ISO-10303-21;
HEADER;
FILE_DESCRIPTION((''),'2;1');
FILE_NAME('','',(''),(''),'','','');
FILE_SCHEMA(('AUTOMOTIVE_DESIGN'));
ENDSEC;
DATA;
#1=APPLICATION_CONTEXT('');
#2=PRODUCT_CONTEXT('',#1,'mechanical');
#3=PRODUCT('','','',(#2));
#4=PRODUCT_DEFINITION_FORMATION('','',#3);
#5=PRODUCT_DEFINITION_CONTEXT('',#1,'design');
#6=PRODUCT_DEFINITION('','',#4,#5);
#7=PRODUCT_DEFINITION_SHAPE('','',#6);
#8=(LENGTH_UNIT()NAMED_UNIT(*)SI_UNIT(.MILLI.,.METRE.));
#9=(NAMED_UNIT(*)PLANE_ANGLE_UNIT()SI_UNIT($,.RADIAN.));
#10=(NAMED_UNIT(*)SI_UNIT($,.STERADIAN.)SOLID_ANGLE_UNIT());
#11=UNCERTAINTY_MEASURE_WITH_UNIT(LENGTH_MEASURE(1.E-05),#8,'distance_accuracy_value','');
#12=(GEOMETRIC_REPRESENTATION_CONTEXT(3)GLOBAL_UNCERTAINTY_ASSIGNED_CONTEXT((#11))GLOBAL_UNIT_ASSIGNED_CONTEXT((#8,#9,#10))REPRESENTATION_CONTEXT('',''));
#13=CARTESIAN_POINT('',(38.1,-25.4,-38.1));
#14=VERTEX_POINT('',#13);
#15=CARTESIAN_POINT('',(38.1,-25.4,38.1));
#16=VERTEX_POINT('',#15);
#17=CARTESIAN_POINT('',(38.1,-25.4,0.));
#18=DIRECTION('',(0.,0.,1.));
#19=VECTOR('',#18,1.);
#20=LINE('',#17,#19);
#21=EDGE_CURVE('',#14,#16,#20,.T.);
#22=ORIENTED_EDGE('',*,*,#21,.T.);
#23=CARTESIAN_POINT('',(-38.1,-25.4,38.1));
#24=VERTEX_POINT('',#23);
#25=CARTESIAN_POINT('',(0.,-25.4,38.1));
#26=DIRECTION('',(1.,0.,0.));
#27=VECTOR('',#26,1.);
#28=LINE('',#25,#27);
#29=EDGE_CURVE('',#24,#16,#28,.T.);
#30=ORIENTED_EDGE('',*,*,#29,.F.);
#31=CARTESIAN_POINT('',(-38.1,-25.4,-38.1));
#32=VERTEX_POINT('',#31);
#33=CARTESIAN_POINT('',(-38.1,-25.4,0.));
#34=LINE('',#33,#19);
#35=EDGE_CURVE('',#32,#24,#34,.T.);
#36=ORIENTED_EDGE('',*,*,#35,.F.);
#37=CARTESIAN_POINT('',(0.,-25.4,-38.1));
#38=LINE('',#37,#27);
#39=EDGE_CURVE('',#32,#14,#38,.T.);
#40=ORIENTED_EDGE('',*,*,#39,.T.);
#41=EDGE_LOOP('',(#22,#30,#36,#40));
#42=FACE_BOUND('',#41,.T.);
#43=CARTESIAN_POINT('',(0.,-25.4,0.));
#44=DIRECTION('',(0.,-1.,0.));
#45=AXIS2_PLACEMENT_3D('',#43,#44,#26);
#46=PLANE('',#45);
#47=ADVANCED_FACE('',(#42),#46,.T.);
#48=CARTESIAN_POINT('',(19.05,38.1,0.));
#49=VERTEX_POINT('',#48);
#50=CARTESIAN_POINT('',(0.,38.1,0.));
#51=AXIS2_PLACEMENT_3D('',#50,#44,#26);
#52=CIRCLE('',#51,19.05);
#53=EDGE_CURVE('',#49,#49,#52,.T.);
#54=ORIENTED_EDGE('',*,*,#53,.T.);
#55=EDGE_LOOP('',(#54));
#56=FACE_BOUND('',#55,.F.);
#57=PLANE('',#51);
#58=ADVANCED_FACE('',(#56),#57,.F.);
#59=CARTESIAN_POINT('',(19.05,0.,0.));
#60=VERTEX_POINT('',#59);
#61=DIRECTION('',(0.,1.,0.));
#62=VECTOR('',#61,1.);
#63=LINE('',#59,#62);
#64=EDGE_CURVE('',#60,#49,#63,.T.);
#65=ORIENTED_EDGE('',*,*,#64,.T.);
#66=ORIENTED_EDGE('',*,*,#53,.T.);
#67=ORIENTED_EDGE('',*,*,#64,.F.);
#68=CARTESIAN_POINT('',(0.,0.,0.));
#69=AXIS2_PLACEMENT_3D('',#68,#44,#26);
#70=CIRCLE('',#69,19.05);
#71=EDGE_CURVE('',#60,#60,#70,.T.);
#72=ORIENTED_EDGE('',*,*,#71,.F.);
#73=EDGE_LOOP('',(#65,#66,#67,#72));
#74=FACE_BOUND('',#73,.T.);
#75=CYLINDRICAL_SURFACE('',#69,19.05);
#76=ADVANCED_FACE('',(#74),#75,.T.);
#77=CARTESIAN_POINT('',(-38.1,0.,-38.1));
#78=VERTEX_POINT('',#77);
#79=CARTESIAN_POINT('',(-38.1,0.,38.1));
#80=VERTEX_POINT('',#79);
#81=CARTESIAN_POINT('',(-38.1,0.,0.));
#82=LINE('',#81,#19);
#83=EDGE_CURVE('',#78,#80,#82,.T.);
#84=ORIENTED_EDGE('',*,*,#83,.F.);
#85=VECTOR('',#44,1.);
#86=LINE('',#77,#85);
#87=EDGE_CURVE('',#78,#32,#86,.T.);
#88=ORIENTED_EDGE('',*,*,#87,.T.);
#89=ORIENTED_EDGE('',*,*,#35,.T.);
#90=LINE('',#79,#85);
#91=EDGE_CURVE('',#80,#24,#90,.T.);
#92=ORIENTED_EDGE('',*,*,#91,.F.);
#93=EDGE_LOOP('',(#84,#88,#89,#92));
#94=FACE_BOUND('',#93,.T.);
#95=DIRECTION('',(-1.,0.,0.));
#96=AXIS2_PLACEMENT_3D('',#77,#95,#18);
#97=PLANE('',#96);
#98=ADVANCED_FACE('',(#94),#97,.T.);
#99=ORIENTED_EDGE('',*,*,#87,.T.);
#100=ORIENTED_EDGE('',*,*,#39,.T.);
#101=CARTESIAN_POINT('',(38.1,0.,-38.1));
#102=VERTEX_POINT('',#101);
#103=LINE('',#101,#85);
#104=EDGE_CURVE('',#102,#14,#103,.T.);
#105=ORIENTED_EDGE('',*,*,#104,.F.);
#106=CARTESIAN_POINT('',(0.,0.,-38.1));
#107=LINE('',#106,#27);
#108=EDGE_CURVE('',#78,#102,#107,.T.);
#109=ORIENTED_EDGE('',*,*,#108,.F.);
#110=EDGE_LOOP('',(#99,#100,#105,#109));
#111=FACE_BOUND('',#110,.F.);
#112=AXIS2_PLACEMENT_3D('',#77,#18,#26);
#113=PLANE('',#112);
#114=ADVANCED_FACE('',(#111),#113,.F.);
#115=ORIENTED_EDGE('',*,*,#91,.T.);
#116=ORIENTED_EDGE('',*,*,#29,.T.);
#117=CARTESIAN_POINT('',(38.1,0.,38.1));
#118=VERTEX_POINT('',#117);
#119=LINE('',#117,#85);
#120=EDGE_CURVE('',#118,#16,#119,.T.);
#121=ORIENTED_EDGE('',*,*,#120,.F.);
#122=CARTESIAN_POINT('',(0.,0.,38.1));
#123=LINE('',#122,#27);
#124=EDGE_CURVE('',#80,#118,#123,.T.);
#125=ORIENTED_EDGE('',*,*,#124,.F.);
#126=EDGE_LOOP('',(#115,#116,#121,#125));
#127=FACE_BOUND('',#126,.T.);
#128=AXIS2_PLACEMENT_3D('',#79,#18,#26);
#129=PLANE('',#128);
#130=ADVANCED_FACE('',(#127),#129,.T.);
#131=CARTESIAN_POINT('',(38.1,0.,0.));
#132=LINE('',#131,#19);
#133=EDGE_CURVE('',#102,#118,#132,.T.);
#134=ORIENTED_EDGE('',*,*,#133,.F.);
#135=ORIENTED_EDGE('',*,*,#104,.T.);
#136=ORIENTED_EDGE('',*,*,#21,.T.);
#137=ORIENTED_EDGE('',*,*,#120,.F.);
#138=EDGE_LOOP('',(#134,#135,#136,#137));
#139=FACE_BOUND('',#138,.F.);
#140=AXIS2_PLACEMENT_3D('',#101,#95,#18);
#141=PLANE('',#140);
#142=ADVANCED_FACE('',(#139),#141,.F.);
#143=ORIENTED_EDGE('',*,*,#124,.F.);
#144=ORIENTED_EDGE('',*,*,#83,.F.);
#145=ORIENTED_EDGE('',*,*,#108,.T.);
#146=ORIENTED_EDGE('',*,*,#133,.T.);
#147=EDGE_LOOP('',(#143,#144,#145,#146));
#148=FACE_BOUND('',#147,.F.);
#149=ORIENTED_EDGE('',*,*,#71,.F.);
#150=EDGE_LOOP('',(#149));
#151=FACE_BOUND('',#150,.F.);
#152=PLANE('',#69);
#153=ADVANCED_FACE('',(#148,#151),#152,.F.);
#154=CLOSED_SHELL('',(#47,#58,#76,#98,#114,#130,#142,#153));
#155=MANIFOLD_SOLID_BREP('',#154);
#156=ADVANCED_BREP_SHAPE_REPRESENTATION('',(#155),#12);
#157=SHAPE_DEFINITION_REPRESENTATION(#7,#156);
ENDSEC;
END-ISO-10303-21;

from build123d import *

# Parameters (mm, degrees)
F0_W     = 76.2
F0_H     = 76.2
F2_DEPTH = 25.4
F1_R     = 19.05
F3_DEPTH = 38.1


with BuildPart() as f2:
    # F0 (on Front) → F2 (new body)
    with BuildSketch(Plane.XZ):
        Rectangle(F0_W, F0_H)
    extrude(amount=F2_DEPTH)

    # F1 (on face) → F3 (join)
    with BuildSketch(Plane.XZ):
        Circle(F1_R)
    extrude(amount=-F3_DEPTH)


solid = f2.part
